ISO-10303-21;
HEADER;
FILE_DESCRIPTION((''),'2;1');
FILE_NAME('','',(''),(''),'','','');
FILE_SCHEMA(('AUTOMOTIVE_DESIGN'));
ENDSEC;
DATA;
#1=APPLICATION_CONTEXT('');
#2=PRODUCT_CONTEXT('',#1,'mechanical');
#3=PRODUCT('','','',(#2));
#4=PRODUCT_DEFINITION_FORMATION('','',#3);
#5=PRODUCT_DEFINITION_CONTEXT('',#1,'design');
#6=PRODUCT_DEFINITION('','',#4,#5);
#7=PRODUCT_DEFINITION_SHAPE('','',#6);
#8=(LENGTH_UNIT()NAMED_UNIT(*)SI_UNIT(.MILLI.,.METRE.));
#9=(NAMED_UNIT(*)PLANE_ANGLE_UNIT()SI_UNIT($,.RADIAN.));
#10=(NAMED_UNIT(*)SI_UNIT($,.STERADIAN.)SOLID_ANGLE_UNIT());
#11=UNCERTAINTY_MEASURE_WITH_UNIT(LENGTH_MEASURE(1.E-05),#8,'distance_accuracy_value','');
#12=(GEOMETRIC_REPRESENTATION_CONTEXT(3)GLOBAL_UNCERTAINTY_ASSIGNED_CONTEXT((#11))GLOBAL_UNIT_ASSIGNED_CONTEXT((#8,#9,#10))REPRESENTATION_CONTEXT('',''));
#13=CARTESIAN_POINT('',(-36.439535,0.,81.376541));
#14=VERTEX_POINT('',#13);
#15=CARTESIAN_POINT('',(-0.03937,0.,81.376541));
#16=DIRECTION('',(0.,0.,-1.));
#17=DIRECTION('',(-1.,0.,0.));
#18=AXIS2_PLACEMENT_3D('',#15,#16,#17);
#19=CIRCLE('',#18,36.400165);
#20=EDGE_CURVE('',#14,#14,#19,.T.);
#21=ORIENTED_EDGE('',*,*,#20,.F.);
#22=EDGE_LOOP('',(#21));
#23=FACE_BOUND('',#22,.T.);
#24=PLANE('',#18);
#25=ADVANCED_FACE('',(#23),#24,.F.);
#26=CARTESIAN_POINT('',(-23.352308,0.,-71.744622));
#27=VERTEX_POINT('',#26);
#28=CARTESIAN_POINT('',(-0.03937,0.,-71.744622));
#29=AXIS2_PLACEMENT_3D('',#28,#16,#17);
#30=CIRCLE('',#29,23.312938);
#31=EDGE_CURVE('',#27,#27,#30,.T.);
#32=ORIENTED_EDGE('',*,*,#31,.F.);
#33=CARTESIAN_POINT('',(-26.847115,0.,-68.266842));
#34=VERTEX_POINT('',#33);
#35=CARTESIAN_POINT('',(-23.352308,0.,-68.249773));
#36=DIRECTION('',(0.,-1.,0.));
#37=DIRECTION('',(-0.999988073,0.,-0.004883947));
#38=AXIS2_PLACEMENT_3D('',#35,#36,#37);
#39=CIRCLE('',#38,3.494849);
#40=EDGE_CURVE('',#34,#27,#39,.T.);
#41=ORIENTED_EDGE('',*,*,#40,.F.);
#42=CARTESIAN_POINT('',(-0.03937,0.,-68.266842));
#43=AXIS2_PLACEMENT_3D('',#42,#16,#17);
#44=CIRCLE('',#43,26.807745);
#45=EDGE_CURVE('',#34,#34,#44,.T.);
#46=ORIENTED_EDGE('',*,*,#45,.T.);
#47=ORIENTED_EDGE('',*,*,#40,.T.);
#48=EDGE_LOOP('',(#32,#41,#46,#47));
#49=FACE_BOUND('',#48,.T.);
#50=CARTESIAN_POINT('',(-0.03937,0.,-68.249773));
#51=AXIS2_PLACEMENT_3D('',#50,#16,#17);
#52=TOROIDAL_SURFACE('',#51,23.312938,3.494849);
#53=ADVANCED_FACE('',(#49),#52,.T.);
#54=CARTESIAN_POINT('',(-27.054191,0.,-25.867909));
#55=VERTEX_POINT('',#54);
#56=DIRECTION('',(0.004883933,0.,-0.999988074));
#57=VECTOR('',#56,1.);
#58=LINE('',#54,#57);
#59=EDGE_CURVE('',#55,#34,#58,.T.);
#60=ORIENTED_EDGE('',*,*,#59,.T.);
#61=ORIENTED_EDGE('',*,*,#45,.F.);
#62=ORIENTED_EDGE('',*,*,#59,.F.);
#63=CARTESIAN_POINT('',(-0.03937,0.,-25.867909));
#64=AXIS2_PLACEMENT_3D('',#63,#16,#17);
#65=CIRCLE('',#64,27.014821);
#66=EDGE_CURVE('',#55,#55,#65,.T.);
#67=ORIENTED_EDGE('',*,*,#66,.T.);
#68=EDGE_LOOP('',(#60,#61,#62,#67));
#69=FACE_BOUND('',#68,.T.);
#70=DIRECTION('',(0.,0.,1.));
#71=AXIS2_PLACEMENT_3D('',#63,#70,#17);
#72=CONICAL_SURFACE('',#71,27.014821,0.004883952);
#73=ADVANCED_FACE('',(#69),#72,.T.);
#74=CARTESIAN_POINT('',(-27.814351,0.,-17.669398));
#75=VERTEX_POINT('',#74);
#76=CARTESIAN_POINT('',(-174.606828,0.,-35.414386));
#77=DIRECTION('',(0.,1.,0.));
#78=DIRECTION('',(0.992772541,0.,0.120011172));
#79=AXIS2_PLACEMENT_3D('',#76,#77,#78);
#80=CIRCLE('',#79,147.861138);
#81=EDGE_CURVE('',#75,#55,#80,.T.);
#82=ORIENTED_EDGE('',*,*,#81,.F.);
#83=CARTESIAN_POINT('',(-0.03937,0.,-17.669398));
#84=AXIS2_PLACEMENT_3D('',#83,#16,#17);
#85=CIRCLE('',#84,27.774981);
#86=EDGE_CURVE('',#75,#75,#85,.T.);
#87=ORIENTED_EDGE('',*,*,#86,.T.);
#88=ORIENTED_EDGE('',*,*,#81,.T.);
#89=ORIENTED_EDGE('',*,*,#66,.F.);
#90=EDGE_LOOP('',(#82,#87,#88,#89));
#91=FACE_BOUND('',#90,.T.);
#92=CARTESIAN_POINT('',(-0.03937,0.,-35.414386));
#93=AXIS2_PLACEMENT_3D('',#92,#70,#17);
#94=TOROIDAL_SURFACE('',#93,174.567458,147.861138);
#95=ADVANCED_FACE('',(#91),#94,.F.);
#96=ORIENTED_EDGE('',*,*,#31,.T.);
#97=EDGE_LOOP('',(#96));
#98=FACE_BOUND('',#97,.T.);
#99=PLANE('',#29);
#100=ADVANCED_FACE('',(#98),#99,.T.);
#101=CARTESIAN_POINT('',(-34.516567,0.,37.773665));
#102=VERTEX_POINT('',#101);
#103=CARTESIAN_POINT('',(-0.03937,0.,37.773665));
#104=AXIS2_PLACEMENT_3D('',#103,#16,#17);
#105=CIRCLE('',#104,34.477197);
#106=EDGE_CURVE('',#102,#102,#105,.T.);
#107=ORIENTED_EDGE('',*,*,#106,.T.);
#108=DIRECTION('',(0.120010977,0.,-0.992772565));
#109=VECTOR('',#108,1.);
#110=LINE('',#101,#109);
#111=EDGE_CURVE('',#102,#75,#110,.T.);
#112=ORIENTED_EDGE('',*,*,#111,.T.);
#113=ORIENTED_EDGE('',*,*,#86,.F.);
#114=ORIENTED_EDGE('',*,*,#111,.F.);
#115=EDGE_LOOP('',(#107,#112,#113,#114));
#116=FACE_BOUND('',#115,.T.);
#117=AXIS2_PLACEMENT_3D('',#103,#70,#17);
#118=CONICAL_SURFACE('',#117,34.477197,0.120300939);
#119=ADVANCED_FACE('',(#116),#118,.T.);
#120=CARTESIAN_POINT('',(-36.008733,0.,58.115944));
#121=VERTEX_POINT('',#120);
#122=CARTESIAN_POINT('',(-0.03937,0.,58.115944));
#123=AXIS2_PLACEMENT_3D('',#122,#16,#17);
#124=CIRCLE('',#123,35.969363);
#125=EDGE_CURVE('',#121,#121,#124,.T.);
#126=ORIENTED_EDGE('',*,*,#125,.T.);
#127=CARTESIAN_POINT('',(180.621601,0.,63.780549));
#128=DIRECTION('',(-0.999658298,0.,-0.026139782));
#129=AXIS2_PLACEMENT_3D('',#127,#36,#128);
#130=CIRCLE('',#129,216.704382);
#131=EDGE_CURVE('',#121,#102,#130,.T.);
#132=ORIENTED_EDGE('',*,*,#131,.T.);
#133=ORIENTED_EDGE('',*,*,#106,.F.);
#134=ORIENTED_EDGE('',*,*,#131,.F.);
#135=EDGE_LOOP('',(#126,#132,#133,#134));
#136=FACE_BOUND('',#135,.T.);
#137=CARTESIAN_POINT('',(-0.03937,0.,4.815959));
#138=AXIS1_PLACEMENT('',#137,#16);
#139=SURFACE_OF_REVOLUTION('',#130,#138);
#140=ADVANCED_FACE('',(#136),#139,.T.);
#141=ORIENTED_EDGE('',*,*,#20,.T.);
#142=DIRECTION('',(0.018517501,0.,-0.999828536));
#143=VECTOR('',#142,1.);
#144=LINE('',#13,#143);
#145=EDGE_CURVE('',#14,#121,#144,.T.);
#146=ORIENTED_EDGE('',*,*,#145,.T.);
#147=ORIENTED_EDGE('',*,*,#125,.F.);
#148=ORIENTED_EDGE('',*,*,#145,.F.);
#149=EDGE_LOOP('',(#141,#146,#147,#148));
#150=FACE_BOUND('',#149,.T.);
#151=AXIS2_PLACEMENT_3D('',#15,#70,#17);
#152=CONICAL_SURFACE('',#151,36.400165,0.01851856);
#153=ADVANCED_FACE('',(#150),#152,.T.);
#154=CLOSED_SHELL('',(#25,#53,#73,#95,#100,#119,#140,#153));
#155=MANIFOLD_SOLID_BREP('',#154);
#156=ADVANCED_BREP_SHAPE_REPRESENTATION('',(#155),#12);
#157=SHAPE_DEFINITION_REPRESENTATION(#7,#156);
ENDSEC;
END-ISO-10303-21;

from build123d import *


with BuildPart() as f1:
    # F0 (on Front) → F1 (revolve)
    with BuildSketch(Plane.XZ):
        with BuildLine():
            Line((-23.352308, -71.744622), (-0.03937, -71.744622))
            Line((-0.03937, -71.744622), (-0.03937, 81.376541))
            Line((-0.03937, 81.376541), (-36.439535, 81.376541))
            Line((-36.439535, 81.376541), (-36.008733, 58.115944))
            ThreePointArc((-36.008733, 58.115944), (-35.502118, 47.927239), (-34.516567, 37.773665))
            Line((-34.516567, 37.773665), (-27.814351, -17.669398))
            ThreePointArc((-27.814351, -17.669398), (-27.377193, -21.763361), (-27.054191, -25.867909))
            Line((-27.054191, -25.867909), (-26.847115, -68.266842))
            ThreePointArc((-26.847115, -68.266842), (-25.817497, -70.727032), (-23.352308, -71.744622))
        make_face()
    revolve(axis=Axis((-0.03937, 0, 4.815959), (0, 0, -1)))


solid = f1.part
